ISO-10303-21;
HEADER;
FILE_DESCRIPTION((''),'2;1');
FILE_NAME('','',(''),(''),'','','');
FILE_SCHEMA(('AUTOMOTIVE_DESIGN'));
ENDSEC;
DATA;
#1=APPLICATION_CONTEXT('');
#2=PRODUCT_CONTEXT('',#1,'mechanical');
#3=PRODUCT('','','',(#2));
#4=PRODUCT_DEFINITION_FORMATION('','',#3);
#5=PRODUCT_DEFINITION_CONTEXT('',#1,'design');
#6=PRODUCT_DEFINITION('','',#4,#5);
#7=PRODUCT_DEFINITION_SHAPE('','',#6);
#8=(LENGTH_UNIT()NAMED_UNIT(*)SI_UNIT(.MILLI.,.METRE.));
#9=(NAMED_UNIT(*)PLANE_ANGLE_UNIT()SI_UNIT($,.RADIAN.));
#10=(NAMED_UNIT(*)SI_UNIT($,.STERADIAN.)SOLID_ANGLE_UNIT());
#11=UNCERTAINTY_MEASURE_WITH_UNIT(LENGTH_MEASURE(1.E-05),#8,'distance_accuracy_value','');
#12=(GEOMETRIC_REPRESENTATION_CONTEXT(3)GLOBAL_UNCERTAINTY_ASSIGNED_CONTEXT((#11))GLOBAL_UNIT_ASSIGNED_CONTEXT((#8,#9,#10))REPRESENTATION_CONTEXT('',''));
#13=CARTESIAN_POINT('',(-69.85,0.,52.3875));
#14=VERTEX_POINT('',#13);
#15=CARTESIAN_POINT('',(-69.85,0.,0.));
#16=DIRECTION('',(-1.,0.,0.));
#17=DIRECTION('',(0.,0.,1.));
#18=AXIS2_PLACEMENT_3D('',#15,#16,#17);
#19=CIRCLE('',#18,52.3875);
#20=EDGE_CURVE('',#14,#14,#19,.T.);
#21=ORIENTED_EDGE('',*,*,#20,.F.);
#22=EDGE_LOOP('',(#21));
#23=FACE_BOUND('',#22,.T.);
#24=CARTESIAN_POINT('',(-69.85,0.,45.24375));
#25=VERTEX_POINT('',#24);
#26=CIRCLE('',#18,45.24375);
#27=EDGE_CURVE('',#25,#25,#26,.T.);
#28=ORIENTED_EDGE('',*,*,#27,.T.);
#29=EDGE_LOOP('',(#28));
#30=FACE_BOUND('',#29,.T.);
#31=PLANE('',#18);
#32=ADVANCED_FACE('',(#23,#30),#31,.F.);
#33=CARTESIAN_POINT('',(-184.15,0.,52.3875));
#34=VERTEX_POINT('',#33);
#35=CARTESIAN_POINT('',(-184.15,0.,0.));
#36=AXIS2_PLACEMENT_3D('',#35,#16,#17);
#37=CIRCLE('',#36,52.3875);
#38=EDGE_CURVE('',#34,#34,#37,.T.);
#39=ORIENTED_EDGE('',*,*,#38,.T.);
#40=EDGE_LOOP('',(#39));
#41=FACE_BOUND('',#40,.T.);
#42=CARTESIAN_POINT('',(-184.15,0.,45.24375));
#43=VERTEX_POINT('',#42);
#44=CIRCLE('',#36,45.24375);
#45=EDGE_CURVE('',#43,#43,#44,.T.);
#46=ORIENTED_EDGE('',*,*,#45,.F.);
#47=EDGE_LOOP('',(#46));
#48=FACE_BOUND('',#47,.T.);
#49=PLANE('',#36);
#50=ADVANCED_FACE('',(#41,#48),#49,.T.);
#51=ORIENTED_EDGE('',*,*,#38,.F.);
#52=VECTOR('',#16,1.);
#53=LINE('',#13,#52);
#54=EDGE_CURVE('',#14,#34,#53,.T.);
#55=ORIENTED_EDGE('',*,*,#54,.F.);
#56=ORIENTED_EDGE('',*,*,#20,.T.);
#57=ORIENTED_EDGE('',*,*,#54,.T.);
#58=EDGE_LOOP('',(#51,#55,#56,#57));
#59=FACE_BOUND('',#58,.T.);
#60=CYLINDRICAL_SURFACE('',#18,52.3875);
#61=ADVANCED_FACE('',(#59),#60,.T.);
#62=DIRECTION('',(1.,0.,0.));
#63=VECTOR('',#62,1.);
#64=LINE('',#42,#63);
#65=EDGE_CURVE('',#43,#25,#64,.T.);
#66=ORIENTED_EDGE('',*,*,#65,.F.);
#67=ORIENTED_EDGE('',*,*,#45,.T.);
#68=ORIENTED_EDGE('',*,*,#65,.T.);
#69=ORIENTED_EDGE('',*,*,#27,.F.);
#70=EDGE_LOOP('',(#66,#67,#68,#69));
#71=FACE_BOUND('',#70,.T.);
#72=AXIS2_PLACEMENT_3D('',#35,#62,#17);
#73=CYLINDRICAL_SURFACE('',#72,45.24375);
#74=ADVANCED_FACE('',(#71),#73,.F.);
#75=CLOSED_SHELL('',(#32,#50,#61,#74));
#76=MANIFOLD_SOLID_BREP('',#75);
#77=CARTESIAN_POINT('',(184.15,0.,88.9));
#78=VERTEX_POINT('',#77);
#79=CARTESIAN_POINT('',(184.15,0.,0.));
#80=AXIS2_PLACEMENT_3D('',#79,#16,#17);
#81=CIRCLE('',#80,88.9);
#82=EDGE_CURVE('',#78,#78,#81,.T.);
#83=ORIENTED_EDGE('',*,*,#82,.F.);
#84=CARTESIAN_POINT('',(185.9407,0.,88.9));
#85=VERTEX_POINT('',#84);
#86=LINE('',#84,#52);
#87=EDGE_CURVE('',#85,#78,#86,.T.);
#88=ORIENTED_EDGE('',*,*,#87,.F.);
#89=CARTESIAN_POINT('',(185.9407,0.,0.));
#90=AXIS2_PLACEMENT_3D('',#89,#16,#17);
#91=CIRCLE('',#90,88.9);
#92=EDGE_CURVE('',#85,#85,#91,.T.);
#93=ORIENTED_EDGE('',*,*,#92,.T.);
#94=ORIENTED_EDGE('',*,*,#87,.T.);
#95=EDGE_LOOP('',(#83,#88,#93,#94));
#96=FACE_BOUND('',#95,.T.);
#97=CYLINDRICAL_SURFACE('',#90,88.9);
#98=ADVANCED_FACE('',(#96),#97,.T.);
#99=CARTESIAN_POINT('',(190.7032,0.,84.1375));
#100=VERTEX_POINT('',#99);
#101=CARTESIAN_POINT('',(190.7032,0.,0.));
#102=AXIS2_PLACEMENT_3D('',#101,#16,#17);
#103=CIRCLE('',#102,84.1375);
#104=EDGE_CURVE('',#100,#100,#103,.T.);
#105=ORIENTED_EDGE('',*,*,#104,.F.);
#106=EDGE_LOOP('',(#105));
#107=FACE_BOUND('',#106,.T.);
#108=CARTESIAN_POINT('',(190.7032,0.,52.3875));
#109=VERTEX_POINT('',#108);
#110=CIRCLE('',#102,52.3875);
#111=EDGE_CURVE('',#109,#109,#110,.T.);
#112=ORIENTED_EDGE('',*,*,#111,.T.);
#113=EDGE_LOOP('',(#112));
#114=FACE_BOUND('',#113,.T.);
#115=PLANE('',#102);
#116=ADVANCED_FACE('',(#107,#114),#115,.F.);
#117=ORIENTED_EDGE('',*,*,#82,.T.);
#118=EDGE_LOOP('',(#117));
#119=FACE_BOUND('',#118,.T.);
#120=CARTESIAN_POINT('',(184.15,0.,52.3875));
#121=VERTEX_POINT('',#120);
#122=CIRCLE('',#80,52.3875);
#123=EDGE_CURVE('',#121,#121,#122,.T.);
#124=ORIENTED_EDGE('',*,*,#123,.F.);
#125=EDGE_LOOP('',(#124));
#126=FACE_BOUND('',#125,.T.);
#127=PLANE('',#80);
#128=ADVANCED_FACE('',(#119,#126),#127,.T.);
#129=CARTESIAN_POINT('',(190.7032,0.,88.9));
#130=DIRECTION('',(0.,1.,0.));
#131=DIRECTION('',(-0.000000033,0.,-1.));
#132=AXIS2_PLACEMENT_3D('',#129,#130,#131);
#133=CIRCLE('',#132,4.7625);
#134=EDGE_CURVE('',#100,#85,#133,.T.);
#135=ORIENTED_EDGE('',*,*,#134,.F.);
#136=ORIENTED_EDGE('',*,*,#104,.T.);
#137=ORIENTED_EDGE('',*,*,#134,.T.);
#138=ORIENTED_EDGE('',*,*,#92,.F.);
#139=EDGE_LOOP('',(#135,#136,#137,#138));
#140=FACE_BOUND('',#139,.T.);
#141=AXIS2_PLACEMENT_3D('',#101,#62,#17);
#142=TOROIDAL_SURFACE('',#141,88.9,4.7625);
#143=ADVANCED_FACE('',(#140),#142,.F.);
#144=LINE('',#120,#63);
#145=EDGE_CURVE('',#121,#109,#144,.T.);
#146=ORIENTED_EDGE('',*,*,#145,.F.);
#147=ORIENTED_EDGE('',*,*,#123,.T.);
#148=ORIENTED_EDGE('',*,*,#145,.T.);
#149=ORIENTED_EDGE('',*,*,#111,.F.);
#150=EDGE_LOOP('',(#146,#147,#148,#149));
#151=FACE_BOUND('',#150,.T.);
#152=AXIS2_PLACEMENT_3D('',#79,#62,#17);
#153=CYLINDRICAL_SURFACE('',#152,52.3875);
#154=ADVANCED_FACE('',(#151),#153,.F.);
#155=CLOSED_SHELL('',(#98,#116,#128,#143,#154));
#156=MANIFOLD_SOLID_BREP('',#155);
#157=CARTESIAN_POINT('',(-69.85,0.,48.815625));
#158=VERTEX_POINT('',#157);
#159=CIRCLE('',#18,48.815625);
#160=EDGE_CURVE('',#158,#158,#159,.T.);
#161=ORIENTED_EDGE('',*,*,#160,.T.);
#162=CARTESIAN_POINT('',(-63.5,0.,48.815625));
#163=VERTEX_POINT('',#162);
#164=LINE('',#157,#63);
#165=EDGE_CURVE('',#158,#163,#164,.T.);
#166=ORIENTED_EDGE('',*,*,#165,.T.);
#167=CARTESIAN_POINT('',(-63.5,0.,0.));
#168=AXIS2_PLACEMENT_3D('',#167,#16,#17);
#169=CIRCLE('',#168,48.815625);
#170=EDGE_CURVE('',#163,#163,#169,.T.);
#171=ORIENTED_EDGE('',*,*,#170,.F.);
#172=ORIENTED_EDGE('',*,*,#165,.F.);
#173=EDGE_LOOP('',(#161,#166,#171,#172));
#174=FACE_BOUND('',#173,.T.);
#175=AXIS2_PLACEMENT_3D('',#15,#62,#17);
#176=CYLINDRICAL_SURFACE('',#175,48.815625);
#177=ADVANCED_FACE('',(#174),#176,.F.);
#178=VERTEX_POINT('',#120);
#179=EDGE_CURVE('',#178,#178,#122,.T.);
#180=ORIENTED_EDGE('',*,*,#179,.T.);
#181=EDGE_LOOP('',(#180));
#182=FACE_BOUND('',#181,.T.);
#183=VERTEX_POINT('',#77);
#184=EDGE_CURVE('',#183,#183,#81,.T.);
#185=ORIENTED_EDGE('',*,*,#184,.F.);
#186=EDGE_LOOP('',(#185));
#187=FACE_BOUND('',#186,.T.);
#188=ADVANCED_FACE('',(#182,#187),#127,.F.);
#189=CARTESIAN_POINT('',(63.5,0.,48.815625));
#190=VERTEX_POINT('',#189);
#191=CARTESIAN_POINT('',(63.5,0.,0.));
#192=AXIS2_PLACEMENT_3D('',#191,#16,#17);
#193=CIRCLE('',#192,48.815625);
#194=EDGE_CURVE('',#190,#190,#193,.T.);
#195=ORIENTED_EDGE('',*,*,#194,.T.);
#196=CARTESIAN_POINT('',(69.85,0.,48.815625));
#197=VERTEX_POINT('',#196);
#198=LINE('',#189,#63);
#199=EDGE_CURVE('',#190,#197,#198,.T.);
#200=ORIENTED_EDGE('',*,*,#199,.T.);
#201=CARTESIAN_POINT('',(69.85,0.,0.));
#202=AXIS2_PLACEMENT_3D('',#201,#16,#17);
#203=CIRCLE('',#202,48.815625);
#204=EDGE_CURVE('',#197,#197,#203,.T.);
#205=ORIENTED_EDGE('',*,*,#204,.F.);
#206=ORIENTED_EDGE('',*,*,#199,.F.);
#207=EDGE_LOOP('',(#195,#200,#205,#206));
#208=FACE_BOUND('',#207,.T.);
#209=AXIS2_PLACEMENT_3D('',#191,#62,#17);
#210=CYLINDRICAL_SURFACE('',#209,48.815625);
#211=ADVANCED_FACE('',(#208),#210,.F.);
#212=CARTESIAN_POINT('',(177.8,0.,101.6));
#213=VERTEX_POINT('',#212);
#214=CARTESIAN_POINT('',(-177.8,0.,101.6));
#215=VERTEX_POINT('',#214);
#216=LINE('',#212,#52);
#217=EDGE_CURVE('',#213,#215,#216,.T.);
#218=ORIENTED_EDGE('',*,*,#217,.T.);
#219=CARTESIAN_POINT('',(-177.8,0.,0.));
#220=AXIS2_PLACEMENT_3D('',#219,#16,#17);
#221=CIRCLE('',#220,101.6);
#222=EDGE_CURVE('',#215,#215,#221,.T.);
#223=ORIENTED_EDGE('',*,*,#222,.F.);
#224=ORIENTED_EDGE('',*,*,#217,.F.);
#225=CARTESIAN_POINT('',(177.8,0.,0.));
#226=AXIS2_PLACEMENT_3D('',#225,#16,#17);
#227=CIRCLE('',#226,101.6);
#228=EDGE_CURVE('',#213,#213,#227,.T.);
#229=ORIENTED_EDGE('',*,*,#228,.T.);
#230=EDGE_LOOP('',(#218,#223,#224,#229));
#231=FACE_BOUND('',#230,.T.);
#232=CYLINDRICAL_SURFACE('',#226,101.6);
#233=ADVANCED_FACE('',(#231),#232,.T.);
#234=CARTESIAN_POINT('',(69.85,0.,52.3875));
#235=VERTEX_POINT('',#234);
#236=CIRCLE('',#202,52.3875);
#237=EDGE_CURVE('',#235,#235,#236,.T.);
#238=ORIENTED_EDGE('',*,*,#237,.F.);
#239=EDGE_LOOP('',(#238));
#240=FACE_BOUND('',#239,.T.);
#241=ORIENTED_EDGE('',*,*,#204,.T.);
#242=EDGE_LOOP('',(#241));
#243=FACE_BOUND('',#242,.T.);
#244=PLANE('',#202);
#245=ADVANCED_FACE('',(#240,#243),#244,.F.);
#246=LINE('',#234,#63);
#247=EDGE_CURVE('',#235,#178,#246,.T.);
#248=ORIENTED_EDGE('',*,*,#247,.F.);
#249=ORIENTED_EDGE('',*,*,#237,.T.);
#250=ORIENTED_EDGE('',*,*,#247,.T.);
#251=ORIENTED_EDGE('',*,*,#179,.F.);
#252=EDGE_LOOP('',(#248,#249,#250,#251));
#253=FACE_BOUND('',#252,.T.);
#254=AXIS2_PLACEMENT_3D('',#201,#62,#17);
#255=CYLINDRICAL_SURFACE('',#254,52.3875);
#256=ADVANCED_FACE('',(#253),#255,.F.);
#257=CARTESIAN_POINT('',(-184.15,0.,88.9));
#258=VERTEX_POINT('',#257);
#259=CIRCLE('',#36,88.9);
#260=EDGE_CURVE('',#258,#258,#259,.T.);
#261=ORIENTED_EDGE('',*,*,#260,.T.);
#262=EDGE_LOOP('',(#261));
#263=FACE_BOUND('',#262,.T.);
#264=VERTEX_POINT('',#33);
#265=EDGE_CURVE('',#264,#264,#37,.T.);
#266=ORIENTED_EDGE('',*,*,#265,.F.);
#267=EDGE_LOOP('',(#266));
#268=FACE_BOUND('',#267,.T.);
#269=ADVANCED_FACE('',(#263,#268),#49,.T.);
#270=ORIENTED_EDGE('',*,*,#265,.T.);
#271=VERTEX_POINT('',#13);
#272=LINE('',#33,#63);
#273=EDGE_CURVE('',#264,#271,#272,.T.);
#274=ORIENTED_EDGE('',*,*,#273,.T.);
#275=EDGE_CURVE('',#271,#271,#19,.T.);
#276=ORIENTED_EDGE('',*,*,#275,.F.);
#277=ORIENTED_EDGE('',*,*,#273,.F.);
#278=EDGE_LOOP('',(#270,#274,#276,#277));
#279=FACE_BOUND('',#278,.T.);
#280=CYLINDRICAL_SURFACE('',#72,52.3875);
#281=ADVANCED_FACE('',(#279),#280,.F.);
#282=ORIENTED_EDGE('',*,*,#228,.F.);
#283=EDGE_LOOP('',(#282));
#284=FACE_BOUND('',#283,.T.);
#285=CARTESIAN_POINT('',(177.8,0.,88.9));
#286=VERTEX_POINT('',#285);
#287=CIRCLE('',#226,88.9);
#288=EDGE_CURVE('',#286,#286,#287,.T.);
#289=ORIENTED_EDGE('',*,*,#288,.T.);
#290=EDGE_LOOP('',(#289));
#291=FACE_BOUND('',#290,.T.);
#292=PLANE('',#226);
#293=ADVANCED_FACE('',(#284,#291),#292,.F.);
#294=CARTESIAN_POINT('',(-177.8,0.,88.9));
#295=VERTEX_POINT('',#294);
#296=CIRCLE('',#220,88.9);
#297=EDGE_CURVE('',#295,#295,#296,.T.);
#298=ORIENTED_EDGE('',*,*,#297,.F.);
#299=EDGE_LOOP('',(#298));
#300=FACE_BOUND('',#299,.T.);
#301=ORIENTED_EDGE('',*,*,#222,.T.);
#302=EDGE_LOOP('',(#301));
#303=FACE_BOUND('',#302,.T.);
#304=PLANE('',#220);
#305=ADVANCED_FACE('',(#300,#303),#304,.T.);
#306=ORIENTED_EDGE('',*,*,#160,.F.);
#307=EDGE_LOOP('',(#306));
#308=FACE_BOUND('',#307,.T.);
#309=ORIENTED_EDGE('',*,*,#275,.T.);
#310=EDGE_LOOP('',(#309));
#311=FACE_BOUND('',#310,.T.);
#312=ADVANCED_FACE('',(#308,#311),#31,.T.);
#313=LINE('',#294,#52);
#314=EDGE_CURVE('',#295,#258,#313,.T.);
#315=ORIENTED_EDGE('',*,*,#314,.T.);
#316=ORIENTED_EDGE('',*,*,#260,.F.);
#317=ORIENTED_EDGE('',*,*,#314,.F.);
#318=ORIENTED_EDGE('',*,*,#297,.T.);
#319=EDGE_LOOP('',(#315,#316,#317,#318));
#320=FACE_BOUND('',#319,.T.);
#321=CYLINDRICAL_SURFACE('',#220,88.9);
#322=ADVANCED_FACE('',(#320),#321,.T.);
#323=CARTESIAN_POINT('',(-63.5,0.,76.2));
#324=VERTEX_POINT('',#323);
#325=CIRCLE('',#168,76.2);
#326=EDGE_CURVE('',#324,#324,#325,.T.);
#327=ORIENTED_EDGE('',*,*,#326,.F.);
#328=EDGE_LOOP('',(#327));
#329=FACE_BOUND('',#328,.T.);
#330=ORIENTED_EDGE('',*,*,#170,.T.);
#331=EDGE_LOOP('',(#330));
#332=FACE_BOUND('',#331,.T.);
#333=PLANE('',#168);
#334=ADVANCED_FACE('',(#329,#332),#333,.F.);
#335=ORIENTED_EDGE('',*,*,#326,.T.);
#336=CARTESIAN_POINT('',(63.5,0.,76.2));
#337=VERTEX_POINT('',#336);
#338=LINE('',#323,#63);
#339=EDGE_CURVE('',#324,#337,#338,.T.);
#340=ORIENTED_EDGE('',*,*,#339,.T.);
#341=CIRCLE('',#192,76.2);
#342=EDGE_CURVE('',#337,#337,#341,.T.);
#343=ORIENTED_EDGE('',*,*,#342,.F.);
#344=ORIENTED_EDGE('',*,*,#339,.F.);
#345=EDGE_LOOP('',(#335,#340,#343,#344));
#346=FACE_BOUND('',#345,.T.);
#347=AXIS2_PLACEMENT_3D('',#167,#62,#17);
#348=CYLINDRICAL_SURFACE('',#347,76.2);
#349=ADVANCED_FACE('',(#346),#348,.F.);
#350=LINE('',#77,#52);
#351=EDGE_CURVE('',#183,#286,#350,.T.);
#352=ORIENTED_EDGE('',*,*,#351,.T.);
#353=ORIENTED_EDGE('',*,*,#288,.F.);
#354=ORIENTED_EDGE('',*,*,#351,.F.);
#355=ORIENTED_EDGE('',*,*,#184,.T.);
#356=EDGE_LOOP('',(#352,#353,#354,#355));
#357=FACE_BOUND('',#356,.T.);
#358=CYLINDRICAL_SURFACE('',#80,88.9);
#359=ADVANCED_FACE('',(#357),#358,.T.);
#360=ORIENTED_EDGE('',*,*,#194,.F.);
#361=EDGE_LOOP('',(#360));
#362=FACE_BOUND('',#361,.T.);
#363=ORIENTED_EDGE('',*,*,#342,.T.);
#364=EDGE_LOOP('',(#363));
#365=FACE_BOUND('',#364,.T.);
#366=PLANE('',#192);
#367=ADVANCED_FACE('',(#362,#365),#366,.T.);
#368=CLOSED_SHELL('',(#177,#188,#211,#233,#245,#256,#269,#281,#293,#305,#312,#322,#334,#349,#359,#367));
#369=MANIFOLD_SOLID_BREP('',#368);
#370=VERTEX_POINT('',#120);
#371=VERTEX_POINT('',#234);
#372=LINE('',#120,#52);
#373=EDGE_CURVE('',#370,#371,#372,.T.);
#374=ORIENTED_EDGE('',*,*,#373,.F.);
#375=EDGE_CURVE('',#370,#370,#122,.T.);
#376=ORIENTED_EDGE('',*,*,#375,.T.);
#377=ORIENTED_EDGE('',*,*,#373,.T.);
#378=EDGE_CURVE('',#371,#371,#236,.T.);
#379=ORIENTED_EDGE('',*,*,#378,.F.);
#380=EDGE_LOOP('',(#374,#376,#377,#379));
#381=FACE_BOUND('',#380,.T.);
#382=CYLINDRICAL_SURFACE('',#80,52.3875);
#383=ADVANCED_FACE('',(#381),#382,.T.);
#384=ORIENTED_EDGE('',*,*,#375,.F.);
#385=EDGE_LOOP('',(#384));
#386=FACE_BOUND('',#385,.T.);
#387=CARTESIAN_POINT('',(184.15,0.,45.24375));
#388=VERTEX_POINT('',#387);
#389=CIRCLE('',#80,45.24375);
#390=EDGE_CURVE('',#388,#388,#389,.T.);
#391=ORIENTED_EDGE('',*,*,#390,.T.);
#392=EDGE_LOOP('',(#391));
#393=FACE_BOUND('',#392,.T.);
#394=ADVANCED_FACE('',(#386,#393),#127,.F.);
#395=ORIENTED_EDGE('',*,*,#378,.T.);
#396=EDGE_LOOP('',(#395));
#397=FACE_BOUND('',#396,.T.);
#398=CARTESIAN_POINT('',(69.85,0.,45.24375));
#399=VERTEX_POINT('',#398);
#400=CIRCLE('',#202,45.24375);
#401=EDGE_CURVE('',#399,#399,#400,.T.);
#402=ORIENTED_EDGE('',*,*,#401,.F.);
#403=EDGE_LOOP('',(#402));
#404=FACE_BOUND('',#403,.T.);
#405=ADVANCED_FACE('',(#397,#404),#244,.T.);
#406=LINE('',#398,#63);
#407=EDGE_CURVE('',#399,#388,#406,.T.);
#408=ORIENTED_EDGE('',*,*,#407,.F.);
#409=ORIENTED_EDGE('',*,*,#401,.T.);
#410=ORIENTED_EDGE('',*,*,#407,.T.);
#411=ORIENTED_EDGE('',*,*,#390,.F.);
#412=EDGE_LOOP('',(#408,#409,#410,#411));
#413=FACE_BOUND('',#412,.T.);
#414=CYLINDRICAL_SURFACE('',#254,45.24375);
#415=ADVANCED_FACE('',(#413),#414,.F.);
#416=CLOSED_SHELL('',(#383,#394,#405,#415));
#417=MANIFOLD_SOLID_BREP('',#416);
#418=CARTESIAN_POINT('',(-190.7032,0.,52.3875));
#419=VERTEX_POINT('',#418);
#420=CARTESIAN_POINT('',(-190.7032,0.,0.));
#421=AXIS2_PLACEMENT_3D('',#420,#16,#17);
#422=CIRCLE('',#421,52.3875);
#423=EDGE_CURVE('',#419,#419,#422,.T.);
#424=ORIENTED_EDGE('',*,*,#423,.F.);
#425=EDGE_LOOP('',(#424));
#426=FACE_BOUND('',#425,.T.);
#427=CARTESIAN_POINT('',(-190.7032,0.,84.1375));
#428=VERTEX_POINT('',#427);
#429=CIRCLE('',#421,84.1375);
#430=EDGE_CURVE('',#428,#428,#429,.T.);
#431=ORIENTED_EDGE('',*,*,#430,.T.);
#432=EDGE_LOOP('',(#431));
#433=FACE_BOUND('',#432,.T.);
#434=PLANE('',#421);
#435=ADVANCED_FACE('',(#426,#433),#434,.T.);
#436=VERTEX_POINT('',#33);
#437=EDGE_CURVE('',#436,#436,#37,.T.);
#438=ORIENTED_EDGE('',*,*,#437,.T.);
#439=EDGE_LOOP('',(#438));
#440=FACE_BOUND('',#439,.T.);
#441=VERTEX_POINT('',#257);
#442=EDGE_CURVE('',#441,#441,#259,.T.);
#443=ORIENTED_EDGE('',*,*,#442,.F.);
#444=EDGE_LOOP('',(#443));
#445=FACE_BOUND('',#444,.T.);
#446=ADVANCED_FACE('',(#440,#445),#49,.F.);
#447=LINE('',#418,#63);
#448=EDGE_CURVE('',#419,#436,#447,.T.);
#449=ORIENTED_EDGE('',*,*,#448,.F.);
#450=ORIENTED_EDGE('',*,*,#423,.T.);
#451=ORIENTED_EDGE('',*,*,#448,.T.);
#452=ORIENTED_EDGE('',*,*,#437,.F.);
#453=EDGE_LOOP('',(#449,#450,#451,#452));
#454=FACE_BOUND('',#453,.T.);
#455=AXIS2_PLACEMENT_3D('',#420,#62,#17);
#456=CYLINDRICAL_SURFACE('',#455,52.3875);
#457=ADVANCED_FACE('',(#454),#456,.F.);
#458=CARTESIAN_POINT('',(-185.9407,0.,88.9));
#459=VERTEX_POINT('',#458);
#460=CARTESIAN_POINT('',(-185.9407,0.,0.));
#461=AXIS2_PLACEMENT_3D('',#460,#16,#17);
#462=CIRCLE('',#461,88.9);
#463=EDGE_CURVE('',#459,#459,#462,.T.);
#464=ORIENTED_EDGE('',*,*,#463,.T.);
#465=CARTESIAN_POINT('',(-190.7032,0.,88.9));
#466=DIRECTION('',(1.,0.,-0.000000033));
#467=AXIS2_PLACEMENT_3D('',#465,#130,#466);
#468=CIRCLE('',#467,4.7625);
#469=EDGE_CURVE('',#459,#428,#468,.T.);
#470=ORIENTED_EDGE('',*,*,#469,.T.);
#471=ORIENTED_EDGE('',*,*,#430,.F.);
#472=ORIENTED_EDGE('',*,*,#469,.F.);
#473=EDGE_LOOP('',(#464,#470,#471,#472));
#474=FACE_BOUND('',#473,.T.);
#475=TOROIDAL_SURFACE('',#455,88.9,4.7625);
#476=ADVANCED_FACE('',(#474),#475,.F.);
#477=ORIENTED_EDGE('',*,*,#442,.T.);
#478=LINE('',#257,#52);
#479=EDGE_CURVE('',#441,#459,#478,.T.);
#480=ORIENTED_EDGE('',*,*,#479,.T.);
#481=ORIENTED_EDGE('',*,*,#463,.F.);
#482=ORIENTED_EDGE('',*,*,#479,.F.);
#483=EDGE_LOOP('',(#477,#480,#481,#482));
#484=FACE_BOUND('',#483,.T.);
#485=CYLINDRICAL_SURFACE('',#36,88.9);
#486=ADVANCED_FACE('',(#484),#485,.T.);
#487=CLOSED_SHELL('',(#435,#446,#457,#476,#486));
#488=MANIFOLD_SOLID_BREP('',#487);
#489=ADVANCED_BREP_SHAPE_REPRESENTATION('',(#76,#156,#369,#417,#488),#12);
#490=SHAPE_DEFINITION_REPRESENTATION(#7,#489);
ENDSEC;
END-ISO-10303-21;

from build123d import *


with BuildPart() as f1:
    # F0 (on Front) → F1 (revolve)
    with BuildSketch(Plane.XZ):
        Polygon((-184.15, 88.9), (-184.15, 52.3875), (-69.85, 52.3875), (-69.85, 48.815625), (-63.5, 48.815625), (-63.5, 76.2), (0, 76.2), (63.5, 76.2), (63.5, 48.815625), (69.85, 48.815625), (69.85, 52.3875), (184.15, 52.3875), (184.15, 88.9), (177.8, 88.9), (177.8, 101.6), (0, 101.6), (-177.8, 101.6), (-177.8, 88.9), align=None)
    revolve(axis=Axis((-170.919751, 0, 0), (-1, 0, 0)))


with BuildPart() as f2:
    # F0 (on Front) → F2 (revolve)
    with BuildSketch(Plane.XZ):
        Polygon((-184.15, 52.3875), (-184.15, 45.24375), (-69.85, 45.24375), (-69.85, 48.815625), (-69.85, 52.3875), align=None)
        with BuildLine():
            Line((-190.7032, 52.3875), (-184.15, 52.3875))
            Line((-184.15, 52.3875), (-184.15, 88.9))
            Line((-184.15, 88.9), (-185.9407, 88.9))
            ThreePointArc((-185.9407, 88.9), (-187.335604, 85.532404), (-190.7032, 84.1375))
            Line((-190.7032, 84.1375), (-190.7032, 52.3875))
        make_face()
        Polygon((69.85, 52.3875), (69.85, 48.815625), (69.85, 45.24375), (184.15, 45.24375), (184.15, 52.3875), align=None)
        with BuildLine():
            Line((185.9407, 88.9), (184.15, 88.9))
            Line((184.15, 88.9), (184.15, 52.3875))
            Line((184.15, 52.3875), (190.7032, 52.3875))
            Line((190.7032, 52.3875), (190.7032, 84.1375))
            ThreePointArc((190.7032, 84.1375), (187.335604, 85.532404), (185.9407, 88.9))
        make_face()
    revolve(axis=Axis((-170.919751, 0, 0), (-1, 0, 0)))


solid = Compound([f1.part, f2.part])
